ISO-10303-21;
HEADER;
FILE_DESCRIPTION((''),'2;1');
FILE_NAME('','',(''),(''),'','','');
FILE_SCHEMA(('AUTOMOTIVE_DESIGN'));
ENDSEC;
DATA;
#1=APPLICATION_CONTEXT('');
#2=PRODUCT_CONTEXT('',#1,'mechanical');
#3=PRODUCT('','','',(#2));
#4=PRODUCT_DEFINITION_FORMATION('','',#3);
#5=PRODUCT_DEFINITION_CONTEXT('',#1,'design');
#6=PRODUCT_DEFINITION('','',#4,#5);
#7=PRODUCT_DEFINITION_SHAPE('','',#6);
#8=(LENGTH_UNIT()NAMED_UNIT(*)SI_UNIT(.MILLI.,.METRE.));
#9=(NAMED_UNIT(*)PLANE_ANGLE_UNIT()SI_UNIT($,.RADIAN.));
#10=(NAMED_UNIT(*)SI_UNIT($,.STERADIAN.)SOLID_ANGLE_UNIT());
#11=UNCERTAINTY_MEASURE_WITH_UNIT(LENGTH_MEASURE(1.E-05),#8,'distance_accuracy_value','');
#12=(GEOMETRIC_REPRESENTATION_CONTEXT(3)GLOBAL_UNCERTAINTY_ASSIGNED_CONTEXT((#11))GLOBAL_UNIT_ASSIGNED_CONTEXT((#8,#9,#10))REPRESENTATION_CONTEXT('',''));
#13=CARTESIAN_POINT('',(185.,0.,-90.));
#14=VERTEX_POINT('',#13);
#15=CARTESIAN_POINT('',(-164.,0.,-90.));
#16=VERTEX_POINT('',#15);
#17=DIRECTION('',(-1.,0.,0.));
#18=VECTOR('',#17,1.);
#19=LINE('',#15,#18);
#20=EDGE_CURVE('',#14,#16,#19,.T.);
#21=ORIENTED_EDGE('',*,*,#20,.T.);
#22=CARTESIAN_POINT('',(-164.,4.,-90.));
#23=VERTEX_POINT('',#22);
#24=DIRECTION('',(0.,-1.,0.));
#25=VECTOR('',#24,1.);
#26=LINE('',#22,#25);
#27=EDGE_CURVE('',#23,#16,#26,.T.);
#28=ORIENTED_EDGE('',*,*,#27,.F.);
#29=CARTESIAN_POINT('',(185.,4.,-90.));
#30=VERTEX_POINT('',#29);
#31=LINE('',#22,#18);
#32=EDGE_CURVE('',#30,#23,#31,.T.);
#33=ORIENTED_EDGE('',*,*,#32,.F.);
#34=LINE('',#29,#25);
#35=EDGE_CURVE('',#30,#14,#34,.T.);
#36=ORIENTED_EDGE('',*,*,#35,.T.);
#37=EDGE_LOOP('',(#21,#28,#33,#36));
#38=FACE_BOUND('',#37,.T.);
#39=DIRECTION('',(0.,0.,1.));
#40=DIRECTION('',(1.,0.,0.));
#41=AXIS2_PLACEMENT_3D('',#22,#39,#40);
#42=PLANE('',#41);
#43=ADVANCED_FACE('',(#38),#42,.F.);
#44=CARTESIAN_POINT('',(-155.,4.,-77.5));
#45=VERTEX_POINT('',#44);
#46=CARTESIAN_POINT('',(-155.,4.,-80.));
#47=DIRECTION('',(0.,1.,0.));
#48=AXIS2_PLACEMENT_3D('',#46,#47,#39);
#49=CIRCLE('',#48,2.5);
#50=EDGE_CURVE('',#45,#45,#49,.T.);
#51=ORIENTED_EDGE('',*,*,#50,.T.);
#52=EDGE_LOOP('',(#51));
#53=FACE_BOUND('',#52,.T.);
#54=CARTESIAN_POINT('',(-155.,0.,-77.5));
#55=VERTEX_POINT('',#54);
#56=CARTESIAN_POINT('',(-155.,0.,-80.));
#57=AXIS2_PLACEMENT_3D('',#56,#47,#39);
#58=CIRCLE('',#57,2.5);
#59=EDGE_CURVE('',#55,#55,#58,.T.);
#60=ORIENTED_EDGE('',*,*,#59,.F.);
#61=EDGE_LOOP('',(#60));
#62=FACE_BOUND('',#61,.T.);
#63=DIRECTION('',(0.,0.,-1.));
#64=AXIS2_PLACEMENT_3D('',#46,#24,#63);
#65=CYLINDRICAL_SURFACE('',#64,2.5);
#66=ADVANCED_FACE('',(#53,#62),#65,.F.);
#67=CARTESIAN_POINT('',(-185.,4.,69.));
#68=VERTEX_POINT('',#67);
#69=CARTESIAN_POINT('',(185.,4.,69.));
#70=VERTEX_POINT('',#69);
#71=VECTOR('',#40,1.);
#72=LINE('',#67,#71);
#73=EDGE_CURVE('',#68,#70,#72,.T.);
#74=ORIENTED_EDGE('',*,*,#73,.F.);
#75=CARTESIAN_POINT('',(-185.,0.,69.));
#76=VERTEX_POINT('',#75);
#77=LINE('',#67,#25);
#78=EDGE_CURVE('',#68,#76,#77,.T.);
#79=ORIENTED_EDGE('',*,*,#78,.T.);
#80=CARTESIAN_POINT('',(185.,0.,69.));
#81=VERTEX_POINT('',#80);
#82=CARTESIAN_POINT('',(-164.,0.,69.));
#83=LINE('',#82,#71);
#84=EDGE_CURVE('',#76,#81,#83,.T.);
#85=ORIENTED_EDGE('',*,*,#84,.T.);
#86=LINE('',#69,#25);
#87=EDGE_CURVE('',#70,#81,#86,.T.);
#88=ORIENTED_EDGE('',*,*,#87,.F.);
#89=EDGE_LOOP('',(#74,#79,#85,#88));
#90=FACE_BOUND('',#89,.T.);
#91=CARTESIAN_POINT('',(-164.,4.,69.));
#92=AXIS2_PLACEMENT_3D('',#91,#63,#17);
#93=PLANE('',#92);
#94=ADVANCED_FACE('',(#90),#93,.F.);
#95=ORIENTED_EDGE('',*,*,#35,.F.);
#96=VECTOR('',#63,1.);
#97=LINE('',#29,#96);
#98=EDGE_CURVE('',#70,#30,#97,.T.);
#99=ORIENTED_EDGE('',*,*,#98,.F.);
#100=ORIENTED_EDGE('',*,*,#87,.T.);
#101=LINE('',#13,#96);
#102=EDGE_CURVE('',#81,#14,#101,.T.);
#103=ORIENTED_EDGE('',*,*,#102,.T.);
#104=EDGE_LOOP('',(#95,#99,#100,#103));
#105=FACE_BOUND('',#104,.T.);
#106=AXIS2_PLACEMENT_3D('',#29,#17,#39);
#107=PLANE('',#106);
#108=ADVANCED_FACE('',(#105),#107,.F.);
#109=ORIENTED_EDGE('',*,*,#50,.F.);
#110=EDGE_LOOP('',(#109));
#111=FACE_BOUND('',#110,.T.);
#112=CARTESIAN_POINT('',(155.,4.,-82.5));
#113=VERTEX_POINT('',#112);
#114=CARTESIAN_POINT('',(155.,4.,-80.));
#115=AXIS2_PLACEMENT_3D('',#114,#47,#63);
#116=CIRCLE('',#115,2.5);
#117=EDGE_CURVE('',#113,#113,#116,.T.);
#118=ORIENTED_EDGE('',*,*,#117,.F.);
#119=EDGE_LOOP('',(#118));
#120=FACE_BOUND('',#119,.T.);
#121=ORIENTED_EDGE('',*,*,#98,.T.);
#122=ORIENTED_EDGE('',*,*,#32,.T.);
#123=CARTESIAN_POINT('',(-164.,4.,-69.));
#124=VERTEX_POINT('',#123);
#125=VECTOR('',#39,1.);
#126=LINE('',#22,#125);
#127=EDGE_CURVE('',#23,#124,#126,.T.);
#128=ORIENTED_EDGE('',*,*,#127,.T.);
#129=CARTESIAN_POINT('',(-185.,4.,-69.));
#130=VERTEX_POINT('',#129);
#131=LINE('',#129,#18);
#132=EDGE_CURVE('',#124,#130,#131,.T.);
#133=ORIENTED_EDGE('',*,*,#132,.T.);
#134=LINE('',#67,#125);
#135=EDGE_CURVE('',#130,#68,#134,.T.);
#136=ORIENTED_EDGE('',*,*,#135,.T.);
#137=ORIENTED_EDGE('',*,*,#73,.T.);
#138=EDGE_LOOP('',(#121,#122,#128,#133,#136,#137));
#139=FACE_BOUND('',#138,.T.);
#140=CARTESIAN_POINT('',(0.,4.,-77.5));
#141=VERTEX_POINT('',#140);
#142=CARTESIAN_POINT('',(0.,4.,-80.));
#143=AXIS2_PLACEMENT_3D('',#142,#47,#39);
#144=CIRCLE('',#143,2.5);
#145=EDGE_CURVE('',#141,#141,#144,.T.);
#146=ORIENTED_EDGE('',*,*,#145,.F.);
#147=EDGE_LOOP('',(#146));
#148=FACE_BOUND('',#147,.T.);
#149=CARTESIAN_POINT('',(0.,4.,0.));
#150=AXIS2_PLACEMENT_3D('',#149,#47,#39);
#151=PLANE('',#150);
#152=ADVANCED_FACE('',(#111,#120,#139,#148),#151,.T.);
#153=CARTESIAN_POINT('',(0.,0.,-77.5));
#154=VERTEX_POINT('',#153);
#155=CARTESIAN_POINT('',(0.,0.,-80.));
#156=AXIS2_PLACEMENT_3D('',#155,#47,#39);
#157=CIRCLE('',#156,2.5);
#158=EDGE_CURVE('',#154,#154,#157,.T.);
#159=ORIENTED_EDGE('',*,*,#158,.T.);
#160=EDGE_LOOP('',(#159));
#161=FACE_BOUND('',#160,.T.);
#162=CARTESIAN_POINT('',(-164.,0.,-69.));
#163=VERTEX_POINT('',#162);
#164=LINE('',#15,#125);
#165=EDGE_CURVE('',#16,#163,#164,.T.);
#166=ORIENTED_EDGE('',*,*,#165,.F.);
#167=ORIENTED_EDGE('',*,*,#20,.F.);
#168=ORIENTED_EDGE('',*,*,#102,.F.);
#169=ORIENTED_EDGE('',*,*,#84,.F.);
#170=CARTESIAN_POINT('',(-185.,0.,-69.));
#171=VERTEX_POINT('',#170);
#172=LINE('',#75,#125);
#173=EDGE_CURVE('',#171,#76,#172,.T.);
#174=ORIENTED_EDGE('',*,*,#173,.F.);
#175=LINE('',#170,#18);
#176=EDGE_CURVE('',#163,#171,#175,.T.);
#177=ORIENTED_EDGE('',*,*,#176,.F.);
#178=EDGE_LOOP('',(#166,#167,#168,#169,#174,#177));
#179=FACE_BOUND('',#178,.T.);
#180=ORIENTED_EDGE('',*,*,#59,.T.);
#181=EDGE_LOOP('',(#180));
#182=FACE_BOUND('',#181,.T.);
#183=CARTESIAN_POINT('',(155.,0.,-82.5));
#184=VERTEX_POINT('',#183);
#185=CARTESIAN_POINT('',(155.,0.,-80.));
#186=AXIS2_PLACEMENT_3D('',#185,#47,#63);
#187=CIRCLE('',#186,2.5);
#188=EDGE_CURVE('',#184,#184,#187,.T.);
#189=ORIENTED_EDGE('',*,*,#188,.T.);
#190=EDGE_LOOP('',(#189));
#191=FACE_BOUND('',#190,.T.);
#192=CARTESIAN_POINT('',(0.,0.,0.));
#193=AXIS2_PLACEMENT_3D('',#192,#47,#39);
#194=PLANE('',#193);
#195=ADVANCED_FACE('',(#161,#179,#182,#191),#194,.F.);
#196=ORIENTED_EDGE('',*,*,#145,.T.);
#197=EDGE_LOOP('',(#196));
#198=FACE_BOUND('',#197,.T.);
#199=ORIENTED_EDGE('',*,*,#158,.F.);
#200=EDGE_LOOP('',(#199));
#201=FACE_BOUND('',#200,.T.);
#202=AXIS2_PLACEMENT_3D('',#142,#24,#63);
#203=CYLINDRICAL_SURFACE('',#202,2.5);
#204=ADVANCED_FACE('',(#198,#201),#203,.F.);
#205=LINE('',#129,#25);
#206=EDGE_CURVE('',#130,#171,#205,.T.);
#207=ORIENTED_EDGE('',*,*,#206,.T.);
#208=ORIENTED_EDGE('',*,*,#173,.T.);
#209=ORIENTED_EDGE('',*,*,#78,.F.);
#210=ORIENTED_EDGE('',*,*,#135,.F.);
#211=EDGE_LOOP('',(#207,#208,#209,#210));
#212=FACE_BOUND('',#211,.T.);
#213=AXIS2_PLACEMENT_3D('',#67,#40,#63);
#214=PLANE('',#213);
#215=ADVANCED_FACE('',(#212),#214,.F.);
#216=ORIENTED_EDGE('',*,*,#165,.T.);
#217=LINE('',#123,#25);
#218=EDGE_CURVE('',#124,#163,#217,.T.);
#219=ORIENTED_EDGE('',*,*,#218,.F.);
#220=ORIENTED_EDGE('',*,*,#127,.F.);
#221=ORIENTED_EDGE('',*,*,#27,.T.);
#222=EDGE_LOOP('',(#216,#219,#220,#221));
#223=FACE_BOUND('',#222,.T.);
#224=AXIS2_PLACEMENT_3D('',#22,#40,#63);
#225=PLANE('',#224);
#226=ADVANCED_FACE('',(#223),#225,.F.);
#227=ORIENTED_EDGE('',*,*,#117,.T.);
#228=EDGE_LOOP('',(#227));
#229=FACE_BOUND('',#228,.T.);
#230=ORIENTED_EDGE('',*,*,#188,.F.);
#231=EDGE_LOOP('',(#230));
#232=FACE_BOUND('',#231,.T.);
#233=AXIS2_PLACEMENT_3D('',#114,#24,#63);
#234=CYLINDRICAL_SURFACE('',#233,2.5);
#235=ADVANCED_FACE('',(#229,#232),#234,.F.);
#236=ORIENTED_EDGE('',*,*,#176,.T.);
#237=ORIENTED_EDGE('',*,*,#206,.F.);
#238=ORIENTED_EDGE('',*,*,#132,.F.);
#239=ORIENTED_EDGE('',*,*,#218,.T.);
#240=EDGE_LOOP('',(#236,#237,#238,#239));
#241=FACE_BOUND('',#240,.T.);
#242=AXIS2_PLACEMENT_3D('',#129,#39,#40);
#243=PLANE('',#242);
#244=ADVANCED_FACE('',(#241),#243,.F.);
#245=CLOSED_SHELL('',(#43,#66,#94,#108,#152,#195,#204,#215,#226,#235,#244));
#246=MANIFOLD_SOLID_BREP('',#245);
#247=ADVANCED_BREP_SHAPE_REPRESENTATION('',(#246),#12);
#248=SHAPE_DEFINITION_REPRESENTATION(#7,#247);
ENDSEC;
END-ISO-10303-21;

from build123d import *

# Parameters (mm, degrees)
SKETCH1_R           = 2.5
BOSS_EXTRUDE1_DEPTH = 4


with BuildPart() as part:
    # Sketch1 → Boss-Extrude1 (new body)
    with BuildSketch(Plane(origin=(0, 0, 0), x_dir=(1, 0, 0), z_dir=(0, 1, 0))):
        Polygon((-185, -69), (-185, 69), (-164, 69), (-164, 90), (185, 90), (185, -69), (-164, -69), align=None)
        with Locations((-155, 80)):
            Circle(SKETCH1_R, mode=Mode.SUBTRACT)
        with Locations((0, 80)):
            Circle(SKETCH1_R, mode=Mode.SUBTRACT)
        with Locations((155, 80)):
            Circle(SKETCH1_R, mode=Mode.SUBTRACT)
    extrude(amount=BOSS_EXTRUDE1_DEPTH)


solid = part.part
